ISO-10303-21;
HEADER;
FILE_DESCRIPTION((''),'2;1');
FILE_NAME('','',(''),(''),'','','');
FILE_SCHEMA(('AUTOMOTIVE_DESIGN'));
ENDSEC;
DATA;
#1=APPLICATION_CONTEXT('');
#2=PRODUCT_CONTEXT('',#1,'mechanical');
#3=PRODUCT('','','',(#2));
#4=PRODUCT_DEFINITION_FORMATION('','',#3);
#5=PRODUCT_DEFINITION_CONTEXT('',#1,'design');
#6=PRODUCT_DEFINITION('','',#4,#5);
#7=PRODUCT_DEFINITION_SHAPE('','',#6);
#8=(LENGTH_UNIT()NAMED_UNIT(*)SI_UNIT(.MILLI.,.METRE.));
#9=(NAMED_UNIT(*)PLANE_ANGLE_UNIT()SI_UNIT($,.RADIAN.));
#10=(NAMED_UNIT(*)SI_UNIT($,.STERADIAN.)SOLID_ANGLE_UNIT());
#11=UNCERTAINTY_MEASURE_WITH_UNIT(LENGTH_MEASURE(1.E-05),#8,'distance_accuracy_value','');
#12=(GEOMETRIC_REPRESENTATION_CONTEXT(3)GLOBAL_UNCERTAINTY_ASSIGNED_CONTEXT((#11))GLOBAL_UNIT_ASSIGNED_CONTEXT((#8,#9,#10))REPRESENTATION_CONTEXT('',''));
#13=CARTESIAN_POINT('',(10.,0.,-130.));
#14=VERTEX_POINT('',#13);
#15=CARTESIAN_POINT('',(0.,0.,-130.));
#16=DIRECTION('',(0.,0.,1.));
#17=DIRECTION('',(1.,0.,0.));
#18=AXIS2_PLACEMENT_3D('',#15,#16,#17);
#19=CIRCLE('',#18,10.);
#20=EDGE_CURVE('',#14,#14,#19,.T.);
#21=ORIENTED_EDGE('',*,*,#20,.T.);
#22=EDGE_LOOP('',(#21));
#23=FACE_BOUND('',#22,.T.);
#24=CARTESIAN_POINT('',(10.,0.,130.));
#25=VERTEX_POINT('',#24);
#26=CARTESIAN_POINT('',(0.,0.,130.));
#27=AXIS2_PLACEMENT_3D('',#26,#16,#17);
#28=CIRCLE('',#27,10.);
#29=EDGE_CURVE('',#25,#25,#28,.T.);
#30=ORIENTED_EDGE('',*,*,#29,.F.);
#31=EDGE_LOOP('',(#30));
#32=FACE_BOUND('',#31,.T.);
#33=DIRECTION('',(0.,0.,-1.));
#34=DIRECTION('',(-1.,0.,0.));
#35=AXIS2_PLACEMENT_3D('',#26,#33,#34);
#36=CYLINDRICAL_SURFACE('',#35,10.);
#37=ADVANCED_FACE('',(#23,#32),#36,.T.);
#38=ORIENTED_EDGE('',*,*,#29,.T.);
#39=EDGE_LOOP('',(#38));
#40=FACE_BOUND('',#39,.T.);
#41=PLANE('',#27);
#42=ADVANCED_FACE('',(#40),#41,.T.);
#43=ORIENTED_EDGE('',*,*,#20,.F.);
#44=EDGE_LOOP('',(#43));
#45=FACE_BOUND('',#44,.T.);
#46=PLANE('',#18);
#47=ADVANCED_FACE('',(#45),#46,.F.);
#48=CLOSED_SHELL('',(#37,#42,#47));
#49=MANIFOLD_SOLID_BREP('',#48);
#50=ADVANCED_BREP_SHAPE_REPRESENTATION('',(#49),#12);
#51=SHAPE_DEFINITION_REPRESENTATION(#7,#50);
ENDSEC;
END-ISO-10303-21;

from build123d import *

# Parameters (mm, degrees)
CROQUIS1_R              = 10
SALIENTE_EXTRUIR1_DEPTH = 130


with BuildPart() as part:
    # Croquis1 → Saliente-Extruir1 (new, symmetric)
    with BuildSketch(Plane.XY):
        Circle(CROQUIS1_R)
    extrude(amount=SALIENTE_EXTRUIR1_DEPTH, both=True)


solid = part.part
